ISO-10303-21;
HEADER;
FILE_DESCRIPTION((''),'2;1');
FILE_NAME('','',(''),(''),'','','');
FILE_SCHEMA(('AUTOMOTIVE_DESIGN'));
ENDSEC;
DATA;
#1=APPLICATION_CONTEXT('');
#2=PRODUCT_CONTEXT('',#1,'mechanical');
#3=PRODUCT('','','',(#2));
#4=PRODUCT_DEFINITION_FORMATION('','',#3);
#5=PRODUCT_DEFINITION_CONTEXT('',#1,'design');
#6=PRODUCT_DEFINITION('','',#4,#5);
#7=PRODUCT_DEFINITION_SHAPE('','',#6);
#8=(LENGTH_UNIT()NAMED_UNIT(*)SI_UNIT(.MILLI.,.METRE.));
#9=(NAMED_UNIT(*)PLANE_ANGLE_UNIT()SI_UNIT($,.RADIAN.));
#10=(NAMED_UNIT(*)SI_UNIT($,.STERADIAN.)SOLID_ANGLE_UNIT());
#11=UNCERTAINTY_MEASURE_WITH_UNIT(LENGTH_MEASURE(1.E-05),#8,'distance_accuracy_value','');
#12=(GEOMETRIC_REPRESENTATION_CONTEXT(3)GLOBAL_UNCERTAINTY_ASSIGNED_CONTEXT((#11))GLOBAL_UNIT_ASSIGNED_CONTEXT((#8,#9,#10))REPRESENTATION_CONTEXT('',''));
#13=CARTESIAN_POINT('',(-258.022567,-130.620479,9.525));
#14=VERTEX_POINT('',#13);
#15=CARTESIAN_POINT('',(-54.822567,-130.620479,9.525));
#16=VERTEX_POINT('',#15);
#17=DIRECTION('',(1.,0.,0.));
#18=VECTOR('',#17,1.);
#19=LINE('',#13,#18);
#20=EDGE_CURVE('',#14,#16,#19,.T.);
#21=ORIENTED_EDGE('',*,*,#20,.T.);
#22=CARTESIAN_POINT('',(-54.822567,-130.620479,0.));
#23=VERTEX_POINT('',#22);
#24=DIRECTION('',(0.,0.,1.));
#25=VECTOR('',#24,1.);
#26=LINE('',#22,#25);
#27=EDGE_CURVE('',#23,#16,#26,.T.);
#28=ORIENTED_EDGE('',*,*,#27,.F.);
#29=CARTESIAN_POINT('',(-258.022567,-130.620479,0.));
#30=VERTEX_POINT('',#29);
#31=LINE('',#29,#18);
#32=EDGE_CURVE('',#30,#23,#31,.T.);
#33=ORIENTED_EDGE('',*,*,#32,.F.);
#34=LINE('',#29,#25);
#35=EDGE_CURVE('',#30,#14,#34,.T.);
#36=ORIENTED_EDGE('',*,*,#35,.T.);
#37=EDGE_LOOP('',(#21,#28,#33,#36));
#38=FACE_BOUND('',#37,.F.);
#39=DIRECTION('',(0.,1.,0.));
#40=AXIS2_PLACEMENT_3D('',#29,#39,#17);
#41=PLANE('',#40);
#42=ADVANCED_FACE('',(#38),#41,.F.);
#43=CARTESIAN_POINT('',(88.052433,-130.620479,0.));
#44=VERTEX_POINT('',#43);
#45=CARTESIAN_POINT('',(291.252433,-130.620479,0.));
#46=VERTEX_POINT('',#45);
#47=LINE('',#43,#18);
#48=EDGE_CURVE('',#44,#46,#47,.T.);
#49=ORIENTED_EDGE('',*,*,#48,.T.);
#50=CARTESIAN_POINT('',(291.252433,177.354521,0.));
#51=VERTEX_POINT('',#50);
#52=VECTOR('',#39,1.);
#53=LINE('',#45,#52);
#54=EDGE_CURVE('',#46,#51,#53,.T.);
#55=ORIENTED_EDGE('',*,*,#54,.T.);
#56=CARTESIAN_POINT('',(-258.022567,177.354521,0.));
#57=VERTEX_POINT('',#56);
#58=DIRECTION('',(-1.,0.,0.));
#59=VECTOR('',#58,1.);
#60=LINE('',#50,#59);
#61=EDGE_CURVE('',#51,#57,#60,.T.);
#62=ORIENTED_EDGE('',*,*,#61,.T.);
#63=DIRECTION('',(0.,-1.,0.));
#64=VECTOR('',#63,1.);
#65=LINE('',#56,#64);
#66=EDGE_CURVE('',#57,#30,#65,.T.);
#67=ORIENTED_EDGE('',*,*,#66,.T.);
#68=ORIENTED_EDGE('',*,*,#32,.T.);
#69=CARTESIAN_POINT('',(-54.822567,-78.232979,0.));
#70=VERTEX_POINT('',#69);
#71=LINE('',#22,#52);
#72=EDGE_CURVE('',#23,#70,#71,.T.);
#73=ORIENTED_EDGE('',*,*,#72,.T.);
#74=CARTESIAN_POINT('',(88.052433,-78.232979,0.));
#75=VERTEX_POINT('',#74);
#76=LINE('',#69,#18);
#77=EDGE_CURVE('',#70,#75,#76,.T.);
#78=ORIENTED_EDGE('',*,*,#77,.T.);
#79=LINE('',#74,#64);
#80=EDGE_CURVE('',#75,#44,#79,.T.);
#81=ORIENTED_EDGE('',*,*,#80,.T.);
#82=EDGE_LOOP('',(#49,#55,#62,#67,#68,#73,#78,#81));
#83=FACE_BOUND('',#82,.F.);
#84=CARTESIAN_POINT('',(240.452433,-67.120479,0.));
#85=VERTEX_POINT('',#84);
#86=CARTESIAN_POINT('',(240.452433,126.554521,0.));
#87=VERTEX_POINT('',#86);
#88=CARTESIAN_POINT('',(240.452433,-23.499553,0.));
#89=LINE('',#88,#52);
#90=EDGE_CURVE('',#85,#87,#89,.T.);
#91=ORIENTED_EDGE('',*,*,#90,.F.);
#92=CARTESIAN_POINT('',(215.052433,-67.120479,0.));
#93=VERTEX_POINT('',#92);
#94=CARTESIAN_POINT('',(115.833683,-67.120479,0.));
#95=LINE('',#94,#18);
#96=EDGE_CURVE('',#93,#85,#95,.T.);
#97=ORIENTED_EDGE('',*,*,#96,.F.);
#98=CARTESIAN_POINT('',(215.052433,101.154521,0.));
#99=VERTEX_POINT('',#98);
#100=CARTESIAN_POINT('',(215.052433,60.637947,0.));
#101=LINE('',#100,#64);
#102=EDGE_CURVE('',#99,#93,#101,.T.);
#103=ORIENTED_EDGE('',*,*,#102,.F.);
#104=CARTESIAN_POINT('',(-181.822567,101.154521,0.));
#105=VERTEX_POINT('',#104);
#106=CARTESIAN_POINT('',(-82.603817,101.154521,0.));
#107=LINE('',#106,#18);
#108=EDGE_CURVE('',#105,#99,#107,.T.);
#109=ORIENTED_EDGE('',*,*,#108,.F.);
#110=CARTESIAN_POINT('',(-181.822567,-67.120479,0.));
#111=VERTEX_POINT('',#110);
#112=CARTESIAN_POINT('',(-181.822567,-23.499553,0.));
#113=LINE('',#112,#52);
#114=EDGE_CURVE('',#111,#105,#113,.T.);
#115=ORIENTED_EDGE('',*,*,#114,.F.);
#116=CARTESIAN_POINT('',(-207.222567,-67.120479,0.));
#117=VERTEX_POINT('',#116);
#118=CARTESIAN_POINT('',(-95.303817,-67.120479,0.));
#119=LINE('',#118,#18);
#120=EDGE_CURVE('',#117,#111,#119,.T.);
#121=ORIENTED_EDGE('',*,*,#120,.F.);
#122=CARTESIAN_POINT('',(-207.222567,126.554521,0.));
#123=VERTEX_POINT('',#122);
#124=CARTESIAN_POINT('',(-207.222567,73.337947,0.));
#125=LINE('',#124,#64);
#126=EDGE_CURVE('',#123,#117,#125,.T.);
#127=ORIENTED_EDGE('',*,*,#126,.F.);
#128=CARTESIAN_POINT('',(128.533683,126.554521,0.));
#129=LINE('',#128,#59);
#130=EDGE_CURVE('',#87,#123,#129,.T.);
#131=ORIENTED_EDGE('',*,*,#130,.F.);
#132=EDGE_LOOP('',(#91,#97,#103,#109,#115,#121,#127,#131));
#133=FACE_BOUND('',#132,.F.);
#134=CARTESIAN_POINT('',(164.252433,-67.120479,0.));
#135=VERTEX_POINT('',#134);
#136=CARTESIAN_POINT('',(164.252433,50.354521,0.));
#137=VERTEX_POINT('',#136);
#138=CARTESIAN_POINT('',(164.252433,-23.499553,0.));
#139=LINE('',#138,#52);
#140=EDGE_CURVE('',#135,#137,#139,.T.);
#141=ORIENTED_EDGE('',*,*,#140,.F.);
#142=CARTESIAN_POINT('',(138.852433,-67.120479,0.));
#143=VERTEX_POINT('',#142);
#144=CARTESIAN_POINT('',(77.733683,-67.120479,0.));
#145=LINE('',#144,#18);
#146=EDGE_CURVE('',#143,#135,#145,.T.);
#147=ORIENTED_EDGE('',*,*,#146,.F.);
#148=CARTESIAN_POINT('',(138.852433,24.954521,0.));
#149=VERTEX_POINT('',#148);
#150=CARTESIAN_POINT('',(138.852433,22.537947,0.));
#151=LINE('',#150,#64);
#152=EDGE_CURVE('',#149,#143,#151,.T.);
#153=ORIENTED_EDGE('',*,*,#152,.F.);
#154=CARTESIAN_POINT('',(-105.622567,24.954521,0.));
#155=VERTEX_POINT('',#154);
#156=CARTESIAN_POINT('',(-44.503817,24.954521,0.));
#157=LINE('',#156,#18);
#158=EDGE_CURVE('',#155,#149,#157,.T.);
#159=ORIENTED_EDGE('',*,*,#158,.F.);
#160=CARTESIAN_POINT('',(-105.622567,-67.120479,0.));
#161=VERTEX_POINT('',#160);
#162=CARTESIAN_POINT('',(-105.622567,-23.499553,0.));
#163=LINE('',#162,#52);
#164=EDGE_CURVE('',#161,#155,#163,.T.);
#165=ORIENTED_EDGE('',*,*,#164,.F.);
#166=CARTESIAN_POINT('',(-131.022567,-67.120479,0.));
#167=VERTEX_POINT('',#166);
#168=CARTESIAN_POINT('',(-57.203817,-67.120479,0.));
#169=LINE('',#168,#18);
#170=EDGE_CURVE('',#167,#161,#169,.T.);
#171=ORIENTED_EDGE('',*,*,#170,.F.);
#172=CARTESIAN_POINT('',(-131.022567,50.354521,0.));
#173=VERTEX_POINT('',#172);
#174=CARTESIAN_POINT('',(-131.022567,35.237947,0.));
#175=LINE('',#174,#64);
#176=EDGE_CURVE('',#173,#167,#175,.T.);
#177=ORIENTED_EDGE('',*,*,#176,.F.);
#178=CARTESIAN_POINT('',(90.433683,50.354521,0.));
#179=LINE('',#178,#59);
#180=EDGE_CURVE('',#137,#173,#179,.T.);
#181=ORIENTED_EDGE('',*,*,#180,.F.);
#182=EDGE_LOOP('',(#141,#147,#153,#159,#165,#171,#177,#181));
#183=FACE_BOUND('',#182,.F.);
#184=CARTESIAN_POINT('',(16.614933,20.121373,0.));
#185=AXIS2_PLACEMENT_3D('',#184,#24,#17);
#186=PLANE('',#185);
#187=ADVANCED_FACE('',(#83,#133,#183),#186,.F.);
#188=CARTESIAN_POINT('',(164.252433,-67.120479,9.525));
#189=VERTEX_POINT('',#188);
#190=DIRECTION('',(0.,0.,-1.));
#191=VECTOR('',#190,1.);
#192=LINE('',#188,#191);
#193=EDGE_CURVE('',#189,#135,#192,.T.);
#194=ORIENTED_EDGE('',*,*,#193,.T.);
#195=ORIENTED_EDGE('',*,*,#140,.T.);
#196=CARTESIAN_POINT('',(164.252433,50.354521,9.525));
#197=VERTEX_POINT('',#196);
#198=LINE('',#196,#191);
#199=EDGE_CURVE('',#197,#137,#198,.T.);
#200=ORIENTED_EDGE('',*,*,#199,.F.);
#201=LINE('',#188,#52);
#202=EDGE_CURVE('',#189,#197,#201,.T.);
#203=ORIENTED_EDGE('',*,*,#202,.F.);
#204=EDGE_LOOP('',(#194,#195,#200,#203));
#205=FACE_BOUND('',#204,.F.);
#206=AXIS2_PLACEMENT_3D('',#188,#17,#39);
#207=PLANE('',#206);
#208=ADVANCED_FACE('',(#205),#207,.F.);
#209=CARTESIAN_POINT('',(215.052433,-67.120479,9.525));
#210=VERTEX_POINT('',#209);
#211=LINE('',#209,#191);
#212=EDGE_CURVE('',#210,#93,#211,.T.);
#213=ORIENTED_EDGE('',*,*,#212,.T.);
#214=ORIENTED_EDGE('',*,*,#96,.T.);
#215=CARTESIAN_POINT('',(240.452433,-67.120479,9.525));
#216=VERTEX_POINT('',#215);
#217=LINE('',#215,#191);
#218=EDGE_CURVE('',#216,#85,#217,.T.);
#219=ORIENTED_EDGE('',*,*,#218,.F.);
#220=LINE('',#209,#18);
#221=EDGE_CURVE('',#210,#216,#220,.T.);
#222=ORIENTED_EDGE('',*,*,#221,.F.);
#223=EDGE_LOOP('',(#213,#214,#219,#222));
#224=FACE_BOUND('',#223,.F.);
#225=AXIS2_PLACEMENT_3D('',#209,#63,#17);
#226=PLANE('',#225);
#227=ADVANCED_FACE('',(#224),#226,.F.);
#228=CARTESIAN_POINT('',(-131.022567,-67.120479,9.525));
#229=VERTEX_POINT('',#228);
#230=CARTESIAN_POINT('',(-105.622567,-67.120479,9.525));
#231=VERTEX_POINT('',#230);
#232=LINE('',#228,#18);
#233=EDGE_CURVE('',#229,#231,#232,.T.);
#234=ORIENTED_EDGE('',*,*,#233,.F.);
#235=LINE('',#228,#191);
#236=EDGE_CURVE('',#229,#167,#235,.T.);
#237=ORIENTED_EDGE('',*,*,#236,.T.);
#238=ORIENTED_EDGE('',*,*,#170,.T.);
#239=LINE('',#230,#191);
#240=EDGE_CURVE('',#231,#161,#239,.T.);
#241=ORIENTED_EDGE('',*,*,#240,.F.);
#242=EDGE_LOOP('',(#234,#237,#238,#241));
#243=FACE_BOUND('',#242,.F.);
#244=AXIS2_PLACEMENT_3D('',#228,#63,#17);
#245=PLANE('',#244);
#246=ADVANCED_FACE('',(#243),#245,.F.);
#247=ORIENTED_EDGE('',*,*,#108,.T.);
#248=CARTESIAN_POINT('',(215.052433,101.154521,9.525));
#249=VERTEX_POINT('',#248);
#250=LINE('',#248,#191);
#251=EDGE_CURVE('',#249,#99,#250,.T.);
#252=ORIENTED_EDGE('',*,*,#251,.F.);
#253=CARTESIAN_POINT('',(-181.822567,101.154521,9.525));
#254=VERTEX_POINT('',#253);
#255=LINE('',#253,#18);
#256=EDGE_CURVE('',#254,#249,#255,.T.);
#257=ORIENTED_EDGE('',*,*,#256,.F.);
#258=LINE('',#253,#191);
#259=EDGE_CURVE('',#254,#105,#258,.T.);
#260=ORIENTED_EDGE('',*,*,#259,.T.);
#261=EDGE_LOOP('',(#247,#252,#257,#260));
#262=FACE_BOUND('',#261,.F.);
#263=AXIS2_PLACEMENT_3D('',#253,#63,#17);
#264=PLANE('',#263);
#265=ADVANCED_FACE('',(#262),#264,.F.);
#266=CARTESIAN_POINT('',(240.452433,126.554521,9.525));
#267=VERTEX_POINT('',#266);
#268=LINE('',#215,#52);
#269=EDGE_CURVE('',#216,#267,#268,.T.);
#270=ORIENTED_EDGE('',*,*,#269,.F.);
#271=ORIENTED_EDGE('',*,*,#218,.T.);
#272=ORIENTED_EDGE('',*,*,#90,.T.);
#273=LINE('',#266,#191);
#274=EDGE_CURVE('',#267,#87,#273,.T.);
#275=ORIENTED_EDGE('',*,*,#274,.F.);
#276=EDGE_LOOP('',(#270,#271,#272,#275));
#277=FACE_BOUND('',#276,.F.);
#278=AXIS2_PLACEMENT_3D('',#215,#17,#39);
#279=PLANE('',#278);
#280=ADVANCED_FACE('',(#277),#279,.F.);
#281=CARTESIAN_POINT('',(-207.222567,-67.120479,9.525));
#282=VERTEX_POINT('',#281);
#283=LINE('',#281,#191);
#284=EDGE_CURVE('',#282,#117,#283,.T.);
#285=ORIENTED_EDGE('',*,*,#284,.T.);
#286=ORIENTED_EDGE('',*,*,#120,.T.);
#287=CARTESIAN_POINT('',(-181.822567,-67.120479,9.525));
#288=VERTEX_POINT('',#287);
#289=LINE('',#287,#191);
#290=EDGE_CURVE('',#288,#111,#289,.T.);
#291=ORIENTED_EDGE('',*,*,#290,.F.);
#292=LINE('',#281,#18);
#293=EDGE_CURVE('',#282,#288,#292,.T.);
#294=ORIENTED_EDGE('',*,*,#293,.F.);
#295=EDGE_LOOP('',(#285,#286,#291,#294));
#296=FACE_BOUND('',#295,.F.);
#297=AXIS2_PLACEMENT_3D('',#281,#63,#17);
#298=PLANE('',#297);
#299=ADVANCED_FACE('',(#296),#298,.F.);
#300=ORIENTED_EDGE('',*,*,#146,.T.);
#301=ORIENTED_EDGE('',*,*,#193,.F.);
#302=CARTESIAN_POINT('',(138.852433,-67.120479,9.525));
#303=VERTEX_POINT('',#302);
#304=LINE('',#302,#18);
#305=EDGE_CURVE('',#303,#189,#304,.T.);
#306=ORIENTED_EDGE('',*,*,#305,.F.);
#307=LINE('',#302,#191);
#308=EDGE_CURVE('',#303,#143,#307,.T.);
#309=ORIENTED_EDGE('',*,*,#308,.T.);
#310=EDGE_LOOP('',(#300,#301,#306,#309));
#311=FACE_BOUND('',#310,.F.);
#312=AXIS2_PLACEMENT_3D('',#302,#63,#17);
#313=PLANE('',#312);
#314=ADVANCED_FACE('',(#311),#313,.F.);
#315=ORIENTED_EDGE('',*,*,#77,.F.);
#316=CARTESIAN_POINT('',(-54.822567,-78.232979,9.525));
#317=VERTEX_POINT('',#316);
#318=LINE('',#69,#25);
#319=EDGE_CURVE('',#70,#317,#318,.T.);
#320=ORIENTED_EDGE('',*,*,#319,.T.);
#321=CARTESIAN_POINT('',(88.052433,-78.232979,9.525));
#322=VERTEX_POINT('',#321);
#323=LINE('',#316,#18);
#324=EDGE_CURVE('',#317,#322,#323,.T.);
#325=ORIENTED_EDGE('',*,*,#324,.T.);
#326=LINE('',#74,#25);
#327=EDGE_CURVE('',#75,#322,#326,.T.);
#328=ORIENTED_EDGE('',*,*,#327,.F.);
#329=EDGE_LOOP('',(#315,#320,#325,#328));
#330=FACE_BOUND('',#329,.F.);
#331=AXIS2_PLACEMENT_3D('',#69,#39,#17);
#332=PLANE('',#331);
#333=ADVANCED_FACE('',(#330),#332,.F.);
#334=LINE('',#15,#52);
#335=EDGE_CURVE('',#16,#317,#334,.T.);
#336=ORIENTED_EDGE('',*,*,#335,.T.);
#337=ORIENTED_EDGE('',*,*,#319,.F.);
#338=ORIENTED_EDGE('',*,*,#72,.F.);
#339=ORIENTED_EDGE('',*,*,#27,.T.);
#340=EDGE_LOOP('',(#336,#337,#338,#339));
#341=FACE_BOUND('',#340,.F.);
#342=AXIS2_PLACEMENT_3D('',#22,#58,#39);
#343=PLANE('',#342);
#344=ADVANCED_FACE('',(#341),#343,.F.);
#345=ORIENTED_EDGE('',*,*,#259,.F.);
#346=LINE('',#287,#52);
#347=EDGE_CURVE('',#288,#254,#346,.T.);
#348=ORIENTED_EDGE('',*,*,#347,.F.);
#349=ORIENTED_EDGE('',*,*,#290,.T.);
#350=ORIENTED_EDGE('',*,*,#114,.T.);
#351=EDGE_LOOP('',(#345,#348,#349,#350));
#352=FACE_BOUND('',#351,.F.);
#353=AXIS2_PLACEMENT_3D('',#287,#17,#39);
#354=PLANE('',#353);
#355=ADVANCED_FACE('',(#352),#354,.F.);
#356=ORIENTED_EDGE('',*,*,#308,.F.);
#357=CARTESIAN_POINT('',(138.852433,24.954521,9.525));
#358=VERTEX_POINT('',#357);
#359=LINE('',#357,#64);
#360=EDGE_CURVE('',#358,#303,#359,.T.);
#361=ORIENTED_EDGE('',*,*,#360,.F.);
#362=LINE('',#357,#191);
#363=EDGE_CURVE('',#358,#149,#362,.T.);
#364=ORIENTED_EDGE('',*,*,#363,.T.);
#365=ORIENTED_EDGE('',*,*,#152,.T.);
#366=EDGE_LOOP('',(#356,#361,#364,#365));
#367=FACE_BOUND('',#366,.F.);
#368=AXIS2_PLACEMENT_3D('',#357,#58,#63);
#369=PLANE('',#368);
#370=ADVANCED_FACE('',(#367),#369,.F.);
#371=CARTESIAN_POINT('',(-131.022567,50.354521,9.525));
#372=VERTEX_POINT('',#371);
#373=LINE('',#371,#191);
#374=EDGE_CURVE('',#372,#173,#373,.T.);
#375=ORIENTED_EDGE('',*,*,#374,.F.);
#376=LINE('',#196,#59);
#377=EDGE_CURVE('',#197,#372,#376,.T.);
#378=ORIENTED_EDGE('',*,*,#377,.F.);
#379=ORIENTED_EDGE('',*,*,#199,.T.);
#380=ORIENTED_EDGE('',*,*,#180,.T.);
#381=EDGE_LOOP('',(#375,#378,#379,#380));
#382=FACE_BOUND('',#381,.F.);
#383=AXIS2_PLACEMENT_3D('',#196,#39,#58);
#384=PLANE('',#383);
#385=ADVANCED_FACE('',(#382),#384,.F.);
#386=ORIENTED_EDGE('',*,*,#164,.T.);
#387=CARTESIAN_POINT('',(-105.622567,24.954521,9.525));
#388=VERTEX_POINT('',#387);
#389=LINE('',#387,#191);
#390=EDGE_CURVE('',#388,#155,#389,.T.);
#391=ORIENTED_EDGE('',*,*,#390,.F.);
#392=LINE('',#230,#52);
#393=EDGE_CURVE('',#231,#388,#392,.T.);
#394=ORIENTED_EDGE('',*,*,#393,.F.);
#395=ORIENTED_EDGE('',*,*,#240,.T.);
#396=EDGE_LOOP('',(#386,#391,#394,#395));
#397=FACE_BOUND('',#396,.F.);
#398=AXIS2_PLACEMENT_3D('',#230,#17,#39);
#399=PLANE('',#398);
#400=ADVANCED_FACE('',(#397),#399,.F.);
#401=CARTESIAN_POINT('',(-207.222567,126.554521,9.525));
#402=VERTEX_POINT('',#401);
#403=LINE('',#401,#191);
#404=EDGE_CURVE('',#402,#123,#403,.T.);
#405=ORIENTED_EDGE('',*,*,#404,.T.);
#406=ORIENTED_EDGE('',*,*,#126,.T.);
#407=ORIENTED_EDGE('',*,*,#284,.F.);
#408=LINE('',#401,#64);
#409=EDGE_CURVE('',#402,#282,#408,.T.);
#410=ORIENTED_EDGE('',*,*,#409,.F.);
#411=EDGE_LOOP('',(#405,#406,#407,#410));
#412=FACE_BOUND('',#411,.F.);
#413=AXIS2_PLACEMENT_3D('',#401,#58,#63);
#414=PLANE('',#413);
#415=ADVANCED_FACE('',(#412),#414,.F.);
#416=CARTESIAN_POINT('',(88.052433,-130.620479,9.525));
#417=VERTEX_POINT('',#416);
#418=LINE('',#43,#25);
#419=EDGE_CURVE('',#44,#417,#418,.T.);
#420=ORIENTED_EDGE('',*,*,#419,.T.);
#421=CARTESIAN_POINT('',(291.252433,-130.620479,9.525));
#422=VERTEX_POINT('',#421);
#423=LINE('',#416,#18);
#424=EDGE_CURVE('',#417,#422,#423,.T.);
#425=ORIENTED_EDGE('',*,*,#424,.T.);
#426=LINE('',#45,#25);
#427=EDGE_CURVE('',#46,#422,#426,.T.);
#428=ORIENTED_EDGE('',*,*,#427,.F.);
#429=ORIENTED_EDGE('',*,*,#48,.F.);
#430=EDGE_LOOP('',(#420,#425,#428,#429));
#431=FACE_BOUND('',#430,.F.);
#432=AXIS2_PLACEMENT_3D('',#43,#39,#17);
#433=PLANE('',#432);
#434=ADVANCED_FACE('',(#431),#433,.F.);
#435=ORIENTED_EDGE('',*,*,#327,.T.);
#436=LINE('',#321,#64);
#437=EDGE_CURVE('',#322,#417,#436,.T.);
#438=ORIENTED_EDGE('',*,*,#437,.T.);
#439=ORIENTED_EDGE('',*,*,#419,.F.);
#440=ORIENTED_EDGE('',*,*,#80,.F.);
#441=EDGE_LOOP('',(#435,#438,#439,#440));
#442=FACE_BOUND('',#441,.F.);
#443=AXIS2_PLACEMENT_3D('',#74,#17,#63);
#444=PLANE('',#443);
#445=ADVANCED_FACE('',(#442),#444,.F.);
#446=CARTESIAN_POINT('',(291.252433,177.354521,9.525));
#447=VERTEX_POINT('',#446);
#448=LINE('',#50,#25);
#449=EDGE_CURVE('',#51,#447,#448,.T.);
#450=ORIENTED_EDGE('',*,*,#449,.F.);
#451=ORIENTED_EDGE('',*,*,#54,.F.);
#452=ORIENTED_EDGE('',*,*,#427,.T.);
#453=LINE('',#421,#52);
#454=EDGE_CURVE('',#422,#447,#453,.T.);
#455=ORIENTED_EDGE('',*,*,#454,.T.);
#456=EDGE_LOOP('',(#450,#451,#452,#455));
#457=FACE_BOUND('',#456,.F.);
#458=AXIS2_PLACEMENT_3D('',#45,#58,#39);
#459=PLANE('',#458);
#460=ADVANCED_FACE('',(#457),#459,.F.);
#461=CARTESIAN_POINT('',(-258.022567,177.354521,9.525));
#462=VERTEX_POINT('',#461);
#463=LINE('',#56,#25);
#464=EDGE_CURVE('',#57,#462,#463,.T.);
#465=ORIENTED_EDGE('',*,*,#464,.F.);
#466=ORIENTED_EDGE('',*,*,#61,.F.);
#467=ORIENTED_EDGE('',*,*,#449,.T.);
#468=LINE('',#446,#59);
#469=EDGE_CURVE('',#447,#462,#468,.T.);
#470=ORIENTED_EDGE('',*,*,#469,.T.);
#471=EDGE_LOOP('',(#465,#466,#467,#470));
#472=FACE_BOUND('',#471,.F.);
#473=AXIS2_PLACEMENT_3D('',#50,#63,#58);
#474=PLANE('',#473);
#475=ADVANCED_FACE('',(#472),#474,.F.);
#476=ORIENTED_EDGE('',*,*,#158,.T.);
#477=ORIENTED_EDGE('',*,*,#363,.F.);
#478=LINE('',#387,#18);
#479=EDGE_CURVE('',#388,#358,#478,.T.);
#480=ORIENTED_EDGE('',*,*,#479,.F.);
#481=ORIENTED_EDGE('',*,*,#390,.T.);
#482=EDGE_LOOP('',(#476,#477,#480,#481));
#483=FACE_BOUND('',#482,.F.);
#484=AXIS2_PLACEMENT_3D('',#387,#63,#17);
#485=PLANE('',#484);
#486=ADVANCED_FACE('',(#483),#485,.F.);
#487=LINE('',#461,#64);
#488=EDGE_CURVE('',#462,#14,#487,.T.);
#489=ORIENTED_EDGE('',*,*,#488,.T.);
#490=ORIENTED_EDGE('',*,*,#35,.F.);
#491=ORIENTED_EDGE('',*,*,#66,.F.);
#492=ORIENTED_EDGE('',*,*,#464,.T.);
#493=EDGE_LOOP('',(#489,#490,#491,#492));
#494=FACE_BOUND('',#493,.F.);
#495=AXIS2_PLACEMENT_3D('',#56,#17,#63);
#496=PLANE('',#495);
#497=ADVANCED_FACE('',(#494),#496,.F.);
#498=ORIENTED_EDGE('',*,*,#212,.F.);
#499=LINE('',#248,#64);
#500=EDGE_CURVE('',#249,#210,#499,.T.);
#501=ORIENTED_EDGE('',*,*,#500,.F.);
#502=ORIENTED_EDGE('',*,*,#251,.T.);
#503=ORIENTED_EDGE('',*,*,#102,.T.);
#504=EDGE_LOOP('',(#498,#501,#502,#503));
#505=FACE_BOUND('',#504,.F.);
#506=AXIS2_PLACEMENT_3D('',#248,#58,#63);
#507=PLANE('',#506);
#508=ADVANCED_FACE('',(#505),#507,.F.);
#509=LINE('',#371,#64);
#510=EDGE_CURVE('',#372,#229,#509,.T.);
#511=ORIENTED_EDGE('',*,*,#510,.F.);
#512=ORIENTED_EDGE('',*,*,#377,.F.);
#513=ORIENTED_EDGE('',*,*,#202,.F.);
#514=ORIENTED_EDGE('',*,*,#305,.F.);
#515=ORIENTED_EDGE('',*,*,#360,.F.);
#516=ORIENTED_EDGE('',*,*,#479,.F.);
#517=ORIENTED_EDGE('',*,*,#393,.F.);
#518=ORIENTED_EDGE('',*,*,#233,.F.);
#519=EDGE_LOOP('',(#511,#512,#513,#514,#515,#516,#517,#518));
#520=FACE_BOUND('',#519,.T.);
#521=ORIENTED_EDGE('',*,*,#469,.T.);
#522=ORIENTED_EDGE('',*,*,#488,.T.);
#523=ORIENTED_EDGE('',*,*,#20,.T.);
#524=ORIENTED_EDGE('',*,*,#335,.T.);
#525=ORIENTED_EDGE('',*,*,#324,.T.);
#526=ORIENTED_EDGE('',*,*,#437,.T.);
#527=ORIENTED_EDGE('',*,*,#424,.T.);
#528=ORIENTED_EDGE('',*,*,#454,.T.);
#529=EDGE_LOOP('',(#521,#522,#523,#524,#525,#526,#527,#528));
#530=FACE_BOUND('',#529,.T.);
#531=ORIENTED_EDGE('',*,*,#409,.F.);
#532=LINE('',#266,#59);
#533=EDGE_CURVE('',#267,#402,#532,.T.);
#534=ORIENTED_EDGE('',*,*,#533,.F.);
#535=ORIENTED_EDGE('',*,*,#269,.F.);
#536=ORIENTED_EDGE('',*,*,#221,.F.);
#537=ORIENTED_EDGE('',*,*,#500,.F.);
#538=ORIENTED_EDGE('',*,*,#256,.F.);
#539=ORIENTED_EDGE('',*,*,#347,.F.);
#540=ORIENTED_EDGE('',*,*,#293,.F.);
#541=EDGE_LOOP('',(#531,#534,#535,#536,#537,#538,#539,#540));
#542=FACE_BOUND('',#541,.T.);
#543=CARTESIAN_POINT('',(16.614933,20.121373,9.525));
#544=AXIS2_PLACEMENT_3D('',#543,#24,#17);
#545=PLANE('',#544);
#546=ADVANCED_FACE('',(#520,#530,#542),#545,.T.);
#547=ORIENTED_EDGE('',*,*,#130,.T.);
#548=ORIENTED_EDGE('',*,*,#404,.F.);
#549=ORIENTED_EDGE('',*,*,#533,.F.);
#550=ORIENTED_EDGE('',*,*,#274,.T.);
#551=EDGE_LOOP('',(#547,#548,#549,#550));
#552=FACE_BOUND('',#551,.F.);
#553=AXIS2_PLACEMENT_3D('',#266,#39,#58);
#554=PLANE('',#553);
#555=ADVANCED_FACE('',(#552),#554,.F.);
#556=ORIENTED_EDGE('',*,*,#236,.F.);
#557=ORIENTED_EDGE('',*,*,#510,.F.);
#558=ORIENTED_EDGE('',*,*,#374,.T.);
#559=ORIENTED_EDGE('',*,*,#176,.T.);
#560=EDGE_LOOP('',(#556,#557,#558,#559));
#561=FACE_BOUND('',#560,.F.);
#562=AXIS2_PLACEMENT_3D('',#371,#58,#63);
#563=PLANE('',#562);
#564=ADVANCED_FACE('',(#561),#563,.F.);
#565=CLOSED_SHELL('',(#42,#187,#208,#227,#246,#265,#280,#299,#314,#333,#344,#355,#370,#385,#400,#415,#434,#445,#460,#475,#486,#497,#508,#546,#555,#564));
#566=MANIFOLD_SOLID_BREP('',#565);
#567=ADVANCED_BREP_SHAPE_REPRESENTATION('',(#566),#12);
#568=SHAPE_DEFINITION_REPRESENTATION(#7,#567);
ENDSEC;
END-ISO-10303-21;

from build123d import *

# Parameters (mm, degrees)
F1_DEPTH = 9.525
F3_DEPTH = 9.526


with BuildPart() as f1:
    # F0 (on Top) → F1 (new body)
    with BuildSketch(Plane.XY):
        Polygon((291.252433, 177.354521), (-258.022567, 177.354521), (-258.022567, -130.620479), (-54.822567, -130.620479), (-54.822567, -78.232979), (88.052433, -78.232979), (88.052433, -130.620479), (291.252433, -130.620479), align=None)
    extrude(amount=F1_DEPTH)

    # F2 (on face) → F3 (cut, through all)
    with BuildSketch(Plane.XY.offset(9.525)):
        Polygon((-207.222567, 126.554521), (-207.222567, -67.120479), (-181.822567, -67.120479), (-181.822567, 101.154521), (215.052433, 101.154521), (215.052433, -67.120479), (240.452433, -67.120479), (240.452433, 126.554521), align=None)
        Polygon((-131.022567, 50.354521), (-131.022567, -67.120479), (-105.622567, -67.120479), (-105.622567, 24.954521), (138.852433, 24.954521), (138.852433, -67.120479), (164.252433, -67.120479), (164.252433, 50.354521), align=None)
    extrude(amount=-F3_DEPTH, mode=Mode.SUBTRACT)


solid = f1.part
